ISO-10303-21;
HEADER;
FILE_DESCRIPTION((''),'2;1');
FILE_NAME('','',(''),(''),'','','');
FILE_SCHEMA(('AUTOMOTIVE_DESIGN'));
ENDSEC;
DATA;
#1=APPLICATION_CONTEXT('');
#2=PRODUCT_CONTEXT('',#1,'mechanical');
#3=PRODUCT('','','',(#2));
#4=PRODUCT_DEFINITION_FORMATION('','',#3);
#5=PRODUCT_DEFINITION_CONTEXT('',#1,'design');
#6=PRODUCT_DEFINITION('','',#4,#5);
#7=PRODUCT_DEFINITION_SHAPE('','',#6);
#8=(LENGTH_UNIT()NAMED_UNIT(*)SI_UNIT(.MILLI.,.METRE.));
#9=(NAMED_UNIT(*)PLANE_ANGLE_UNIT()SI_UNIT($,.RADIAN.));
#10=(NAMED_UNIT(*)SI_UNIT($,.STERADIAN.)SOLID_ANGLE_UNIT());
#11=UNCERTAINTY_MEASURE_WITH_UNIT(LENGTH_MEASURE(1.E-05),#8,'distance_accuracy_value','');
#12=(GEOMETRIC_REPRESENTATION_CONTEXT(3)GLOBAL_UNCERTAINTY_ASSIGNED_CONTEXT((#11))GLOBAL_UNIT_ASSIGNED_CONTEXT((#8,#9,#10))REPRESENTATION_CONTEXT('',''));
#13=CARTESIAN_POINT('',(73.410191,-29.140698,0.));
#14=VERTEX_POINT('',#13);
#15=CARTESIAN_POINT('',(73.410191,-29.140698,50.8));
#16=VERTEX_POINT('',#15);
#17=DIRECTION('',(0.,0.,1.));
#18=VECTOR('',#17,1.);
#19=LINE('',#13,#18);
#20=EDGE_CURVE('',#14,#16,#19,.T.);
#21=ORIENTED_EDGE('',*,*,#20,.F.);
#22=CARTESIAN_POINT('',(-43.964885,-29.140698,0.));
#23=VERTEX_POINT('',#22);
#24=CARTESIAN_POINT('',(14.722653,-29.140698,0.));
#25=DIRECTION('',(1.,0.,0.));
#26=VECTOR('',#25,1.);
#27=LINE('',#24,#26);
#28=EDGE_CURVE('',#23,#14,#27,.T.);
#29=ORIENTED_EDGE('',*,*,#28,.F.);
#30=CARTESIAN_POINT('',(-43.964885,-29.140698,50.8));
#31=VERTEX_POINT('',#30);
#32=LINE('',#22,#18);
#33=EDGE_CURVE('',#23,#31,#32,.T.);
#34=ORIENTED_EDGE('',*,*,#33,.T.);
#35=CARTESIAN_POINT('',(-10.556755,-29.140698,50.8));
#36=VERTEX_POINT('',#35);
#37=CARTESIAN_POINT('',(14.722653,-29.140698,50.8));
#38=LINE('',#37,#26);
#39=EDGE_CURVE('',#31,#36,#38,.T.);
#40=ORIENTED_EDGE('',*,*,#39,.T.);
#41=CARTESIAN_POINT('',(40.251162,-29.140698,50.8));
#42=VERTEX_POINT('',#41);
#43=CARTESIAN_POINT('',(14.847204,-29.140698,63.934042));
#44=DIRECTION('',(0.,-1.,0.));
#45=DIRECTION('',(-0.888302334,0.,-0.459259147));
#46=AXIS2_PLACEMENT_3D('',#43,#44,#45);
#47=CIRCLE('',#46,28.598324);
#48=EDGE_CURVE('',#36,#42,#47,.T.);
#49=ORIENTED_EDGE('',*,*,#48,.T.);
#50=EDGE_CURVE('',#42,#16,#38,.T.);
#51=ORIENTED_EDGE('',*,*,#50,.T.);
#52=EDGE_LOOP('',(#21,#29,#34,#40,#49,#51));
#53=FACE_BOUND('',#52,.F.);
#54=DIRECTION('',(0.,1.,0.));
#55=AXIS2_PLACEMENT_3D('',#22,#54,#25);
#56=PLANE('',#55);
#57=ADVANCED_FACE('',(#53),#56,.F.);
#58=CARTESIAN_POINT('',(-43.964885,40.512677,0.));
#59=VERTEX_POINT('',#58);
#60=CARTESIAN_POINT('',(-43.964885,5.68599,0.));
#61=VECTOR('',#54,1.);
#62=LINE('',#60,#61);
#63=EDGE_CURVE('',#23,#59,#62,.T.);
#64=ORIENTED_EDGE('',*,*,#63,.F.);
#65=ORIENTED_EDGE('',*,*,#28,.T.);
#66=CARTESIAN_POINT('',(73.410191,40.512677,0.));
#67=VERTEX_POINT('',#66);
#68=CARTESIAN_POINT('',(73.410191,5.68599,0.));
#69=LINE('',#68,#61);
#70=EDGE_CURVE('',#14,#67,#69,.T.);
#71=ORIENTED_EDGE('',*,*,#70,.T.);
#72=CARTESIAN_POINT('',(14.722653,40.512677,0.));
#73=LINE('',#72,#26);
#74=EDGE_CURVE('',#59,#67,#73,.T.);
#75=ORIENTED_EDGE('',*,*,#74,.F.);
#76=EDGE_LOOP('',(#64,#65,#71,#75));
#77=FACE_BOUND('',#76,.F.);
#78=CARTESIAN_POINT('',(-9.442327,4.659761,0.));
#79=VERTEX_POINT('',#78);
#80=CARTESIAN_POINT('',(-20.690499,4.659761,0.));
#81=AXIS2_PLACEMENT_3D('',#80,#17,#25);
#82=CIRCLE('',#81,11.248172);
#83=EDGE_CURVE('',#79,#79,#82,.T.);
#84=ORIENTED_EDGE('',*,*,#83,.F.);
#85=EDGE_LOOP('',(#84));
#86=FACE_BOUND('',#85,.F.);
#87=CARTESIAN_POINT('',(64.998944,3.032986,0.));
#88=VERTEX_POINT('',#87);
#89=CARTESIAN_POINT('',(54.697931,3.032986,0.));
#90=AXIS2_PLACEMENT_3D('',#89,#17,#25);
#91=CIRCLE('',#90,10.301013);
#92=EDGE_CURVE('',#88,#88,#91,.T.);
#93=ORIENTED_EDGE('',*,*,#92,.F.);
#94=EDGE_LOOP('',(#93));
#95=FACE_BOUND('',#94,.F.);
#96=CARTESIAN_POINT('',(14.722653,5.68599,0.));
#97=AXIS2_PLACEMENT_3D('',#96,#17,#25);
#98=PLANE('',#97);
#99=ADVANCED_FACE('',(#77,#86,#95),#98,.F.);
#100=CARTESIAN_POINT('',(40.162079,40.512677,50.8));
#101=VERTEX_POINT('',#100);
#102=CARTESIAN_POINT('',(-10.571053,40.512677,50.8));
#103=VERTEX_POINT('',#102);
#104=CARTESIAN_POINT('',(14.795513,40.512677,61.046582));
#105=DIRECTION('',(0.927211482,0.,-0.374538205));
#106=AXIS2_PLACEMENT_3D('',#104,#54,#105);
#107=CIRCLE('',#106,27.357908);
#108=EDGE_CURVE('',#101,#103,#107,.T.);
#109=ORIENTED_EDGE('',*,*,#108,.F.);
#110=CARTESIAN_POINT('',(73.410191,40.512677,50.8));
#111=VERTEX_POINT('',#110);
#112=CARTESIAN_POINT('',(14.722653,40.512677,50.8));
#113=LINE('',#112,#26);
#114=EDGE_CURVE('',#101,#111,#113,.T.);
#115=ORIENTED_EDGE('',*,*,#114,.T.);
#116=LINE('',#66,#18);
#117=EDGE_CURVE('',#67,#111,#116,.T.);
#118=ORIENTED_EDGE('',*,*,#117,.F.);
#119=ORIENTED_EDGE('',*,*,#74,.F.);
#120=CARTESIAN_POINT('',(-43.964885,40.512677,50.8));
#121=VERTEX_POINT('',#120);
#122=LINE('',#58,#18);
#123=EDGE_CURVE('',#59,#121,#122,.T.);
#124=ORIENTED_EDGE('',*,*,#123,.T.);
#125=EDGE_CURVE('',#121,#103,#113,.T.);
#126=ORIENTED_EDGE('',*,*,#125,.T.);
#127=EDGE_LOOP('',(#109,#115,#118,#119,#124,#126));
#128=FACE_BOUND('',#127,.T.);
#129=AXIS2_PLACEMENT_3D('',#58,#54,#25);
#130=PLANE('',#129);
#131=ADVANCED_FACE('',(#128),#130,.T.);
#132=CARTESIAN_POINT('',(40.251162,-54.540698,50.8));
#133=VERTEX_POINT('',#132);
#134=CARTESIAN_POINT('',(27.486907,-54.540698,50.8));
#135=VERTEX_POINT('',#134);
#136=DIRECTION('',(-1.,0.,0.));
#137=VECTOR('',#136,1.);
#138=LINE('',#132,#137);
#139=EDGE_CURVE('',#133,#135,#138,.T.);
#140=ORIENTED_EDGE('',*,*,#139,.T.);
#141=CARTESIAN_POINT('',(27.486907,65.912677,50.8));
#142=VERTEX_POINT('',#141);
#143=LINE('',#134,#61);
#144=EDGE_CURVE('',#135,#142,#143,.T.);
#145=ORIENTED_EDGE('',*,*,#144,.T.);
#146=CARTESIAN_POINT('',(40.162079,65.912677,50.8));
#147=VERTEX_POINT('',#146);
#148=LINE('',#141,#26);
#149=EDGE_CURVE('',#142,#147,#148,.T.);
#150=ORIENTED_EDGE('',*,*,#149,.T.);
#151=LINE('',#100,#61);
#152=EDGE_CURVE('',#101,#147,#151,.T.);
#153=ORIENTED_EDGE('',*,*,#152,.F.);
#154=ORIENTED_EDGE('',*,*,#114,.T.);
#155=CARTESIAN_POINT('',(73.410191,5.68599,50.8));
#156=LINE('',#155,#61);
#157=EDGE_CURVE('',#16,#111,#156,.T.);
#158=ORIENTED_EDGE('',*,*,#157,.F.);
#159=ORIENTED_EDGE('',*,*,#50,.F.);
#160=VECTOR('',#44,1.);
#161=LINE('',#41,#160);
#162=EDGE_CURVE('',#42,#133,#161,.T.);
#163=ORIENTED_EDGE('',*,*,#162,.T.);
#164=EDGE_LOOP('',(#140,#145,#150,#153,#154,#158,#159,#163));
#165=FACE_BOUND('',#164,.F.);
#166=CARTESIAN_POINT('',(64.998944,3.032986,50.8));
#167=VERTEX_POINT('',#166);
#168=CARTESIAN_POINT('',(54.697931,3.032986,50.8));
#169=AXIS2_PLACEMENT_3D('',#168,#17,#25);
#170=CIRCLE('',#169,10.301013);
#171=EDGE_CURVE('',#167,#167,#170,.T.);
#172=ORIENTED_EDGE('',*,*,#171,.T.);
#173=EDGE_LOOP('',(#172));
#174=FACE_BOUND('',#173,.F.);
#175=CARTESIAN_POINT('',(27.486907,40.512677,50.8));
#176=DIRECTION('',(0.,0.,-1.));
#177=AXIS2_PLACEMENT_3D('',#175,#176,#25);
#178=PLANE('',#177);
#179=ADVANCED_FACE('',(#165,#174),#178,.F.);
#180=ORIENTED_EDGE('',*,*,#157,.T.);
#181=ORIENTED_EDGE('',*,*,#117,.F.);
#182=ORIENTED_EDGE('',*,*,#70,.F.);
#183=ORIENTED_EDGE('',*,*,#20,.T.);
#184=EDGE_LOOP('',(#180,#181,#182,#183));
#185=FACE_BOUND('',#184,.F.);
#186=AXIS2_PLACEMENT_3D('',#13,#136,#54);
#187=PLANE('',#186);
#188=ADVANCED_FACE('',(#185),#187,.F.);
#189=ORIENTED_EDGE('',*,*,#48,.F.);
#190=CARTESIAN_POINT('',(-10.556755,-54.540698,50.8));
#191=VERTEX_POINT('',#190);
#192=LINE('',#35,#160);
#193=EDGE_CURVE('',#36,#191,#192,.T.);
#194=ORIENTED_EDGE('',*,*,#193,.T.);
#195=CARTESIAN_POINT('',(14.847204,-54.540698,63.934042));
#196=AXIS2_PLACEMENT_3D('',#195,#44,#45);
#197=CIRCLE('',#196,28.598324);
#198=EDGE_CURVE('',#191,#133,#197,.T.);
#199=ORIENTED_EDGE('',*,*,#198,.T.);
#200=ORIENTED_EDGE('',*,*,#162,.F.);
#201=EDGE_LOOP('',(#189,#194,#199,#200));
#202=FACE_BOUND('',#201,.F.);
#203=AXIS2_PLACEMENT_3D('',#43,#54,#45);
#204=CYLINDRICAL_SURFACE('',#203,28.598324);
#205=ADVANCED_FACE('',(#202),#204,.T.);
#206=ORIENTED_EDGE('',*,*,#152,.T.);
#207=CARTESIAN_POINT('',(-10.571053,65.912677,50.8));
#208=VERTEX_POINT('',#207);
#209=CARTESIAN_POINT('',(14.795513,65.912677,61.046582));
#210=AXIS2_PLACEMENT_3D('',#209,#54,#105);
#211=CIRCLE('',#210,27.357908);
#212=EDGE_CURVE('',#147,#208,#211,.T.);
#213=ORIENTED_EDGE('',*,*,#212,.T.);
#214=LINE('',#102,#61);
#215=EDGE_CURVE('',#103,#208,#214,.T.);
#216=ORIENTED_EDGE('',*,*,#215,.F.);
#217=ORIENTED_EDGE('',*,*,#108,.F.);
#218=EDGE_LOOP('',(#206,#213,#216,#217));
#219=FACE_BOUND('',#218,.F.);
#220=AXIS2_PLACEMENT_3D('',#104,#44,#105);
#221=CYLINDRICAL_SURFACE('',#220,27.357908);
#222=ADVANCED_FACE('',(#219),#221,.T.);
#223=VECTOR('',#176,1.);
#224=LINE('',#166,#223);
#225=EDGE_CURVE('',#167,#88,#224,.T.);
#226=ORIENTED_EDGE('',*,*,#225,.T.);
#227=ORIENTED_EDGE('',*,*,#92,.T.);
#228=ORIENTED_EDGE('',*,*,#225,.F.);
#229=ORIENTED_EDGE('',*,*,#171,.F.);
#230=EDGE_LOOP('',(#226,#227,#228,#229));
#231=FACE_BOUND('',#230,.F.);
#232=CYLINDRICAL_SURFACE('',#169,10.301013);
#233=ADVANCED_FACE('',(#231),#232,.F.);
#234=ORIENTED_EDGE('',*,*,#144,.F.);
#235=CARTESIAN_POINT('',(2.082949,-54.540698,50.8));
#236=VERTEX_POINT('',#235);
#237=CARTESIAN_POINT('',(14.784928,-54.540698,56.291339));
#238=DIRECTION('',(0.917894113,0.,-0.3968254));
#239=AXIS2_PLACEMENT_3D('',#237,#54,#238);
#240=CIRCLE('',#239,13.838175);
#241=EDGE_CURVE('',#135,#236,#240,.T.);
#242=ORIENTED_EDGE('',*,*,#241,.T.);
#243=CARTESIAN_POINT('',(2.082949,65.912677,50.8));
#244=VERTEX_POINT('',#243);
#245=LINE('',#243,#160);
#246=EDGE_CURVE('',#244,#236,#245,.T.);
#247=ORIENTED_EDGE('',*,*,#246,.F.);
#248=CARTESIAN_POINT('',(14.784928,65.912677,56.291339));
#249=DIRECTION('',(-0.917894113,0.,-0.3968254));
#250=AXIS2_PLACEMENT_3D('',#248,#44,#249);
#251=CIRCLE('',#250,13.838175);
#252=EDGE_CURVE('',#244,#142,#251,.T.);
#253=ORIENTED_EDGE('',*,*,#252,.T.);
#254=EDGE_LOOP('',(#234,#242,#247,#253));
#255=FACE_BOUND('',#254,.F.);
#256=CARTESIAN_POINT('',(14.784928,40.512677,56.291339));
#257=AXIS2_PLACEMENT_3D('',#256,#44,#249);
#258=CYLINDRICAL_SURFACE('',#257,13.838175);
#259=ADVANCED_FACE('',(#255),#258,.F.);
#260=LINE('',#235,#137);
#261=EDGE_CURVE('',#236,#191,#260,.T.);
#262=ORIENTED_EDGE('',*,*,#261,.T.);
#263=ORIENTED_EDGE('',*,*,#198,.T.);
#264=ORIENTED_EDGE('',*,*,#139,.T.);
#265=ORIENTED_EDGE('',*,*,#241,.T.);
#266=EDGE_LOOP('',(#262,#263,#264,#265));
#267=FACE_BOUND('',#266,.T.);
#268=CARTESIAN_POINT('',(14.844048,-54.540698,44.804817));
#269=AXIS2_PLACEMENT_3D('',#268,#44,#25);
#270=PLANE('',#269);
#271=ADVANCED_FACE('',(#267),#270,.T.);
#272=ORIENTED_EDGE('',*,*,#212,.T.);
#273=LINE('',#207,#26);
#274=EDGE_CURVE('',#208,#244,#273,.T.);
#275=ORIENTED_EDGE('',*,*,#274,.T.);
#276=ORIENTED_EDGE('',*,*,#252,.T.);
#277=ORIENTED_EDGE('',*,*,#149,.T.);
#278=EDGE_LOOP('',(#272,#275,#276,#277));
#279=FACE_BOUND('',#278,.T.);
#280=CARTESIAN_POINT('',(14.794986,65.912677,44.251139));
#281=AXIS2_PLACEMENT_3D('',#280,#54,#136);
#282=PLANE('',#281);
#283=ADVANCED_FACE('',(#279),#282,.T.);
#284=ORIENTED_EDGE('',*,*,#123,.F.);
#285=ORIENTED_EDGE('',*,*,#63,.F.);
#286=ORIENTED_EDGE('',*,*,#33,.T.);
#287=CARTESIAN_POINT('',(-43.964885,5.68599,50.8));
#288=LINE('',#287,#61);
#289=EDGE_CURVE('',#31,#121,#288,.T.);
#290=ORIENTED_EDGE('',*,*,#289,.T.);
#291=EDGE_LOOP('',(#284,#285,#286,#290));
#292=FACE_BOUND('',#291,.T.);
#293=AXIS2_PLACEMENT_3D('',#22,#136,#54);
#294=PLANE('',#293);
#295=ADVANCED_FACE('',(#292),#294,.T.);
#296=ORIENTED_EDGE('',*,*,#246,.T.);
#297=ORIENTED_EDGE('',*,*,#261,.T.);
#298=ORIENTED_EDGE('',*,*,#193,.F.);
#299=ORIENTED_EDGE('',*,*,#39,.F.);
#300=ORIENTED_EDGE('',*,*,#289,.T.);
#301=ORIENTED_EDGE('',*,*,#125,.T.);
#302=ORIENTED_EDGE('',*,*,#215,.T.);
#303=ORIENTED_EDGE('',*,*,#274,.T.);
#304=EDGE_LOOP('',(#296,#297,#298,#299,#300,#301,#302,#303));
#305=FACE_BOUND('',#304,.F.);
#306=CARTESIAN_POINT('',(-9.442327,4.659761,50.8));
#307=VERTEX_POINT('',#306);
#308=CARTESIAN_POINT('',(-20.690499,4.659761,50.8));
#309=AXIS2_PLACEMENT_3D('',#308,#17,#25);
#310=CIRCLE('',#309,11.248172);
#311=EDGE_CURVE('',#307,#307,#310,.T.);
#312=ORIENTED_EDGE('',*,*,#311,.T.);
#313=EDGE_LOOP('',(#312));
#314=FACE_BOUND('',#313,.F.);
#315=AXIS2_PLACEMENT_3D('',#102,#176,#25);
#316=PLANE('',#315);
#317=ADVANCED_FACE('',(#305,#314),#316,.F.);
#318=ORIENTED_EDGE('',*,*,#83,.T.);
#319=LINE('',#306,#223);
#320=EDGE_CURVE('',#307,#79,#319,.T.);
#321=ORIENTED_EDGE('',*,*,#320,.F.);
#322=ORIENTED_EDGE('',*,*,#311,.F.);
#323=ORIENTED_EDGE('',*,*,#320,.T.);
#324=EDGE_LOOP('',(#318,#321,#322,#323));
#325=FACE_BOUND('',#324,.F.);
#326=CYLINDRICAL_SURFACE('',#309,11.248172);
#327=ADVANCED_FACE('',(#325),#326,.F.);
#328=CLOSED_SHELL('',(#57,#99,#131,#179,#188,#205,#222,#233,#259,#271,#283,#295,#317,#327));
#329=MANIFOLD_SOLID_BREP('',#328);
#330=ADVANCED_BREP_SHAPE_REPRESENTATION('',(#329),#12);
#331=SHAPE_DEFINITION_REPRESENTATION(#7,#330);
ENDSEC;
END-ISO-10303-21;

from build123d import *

# Parameters (mm, degrees)
F0_W      = 117.3750758171
F0_H      = 69.6533750743
F1_DEPTH  = 50.8
F3_DEPTH  = 25.4
F4_DEPTH  = 82.804
F6_DEPTH  = 25.4
F8_R      = 10.3010134133
F9_DEPTH  = 146.558
F7_R      = 11.2481723065
F10_DEPTH = 101.6


with BuildPart() as f1:
    # F0 (on Top) → F1 (new body)
    with BuildSketch(Plane.XY):
        with Locations((14.7226527333, 5.685989745)):
            Rectangle(F0_W, F0_H)
    extrude(amount=F1_DEPTH)

    # F2 (on face) → F3 (join)
    with BuildSketch(Plane.XZ.offset(29.1406977922)):
        with BuildLine():
            Line((2.0829490386, 50.8), (-10.5567546561, 50.8))
            ThreePointArc((-10.5567546561, 50.8), (14.8472036235, 35.3357176843), (40.2511619031, 50.8))
            Line((40.2511619031, 50.8), (27.4869073182, 50.8))
            ThreePointArc((27.4869073182, 50.8), (14.7849281784, 42.4531644715), (2.0829490386, 50.8))
        make_face()
    extrude(amount=F3_DEPTH)

    # F4 (cut): a face of the model
    f4_faces = [f1.faces().sort_by_distance(p)[0] for p in [
        (14.7849281784, -29.1406977922, 47.3563909232),
    ]]
    extrude(f4_faces, amount=-F4_DEPTH, mode=Mode.SUBTRACT)

    # F5 (on face) → F6 (join)
    with BuildSketch(Plane(origin=(0, 40.5126772821, 0), x_dir=(-1, 0, 0), z_dir=(0, 1, 0))):
        with BuildLine():
            ThreePointArc((-2.0829490386, 50.8), (-14.7849281784, 42.4531644715), (-27.4869073182, 50.8))
            Line((-27.4869073182, 50.8), (-40.1620790362, 50.8))
            ThreePointArc((-40.1620790362, 50.8), (-14.7955128923, 33.6886739467), (10.5710532516, 50.8))
            Line((10.5710532516, 50.8), (-2.0829490386, 50.8))
        make_face()
    extrude(amount=F6_DEPTH)

    # F8 (on face) → F9 (cut)
    with BuildSketch(Plane.XY.offset(50.8)):
        with Locations((54.6979308128, 3.0329860747)):
            Circle(F8_R)
    extrude(amount=-F9_DEPTH, mode=Mode.SUBTRACT)

    # F7 (on face) → F10 (cut)
    with BuildSketch(Plane.XY.offset(50.8)):
        with Locations((-20.6904988736, 4.6597607434)):
            Circle(F7_R)
    extrude(amount=-F10_DEPTH, mode=Mode.SUBTRACT)


solid = f1.part
